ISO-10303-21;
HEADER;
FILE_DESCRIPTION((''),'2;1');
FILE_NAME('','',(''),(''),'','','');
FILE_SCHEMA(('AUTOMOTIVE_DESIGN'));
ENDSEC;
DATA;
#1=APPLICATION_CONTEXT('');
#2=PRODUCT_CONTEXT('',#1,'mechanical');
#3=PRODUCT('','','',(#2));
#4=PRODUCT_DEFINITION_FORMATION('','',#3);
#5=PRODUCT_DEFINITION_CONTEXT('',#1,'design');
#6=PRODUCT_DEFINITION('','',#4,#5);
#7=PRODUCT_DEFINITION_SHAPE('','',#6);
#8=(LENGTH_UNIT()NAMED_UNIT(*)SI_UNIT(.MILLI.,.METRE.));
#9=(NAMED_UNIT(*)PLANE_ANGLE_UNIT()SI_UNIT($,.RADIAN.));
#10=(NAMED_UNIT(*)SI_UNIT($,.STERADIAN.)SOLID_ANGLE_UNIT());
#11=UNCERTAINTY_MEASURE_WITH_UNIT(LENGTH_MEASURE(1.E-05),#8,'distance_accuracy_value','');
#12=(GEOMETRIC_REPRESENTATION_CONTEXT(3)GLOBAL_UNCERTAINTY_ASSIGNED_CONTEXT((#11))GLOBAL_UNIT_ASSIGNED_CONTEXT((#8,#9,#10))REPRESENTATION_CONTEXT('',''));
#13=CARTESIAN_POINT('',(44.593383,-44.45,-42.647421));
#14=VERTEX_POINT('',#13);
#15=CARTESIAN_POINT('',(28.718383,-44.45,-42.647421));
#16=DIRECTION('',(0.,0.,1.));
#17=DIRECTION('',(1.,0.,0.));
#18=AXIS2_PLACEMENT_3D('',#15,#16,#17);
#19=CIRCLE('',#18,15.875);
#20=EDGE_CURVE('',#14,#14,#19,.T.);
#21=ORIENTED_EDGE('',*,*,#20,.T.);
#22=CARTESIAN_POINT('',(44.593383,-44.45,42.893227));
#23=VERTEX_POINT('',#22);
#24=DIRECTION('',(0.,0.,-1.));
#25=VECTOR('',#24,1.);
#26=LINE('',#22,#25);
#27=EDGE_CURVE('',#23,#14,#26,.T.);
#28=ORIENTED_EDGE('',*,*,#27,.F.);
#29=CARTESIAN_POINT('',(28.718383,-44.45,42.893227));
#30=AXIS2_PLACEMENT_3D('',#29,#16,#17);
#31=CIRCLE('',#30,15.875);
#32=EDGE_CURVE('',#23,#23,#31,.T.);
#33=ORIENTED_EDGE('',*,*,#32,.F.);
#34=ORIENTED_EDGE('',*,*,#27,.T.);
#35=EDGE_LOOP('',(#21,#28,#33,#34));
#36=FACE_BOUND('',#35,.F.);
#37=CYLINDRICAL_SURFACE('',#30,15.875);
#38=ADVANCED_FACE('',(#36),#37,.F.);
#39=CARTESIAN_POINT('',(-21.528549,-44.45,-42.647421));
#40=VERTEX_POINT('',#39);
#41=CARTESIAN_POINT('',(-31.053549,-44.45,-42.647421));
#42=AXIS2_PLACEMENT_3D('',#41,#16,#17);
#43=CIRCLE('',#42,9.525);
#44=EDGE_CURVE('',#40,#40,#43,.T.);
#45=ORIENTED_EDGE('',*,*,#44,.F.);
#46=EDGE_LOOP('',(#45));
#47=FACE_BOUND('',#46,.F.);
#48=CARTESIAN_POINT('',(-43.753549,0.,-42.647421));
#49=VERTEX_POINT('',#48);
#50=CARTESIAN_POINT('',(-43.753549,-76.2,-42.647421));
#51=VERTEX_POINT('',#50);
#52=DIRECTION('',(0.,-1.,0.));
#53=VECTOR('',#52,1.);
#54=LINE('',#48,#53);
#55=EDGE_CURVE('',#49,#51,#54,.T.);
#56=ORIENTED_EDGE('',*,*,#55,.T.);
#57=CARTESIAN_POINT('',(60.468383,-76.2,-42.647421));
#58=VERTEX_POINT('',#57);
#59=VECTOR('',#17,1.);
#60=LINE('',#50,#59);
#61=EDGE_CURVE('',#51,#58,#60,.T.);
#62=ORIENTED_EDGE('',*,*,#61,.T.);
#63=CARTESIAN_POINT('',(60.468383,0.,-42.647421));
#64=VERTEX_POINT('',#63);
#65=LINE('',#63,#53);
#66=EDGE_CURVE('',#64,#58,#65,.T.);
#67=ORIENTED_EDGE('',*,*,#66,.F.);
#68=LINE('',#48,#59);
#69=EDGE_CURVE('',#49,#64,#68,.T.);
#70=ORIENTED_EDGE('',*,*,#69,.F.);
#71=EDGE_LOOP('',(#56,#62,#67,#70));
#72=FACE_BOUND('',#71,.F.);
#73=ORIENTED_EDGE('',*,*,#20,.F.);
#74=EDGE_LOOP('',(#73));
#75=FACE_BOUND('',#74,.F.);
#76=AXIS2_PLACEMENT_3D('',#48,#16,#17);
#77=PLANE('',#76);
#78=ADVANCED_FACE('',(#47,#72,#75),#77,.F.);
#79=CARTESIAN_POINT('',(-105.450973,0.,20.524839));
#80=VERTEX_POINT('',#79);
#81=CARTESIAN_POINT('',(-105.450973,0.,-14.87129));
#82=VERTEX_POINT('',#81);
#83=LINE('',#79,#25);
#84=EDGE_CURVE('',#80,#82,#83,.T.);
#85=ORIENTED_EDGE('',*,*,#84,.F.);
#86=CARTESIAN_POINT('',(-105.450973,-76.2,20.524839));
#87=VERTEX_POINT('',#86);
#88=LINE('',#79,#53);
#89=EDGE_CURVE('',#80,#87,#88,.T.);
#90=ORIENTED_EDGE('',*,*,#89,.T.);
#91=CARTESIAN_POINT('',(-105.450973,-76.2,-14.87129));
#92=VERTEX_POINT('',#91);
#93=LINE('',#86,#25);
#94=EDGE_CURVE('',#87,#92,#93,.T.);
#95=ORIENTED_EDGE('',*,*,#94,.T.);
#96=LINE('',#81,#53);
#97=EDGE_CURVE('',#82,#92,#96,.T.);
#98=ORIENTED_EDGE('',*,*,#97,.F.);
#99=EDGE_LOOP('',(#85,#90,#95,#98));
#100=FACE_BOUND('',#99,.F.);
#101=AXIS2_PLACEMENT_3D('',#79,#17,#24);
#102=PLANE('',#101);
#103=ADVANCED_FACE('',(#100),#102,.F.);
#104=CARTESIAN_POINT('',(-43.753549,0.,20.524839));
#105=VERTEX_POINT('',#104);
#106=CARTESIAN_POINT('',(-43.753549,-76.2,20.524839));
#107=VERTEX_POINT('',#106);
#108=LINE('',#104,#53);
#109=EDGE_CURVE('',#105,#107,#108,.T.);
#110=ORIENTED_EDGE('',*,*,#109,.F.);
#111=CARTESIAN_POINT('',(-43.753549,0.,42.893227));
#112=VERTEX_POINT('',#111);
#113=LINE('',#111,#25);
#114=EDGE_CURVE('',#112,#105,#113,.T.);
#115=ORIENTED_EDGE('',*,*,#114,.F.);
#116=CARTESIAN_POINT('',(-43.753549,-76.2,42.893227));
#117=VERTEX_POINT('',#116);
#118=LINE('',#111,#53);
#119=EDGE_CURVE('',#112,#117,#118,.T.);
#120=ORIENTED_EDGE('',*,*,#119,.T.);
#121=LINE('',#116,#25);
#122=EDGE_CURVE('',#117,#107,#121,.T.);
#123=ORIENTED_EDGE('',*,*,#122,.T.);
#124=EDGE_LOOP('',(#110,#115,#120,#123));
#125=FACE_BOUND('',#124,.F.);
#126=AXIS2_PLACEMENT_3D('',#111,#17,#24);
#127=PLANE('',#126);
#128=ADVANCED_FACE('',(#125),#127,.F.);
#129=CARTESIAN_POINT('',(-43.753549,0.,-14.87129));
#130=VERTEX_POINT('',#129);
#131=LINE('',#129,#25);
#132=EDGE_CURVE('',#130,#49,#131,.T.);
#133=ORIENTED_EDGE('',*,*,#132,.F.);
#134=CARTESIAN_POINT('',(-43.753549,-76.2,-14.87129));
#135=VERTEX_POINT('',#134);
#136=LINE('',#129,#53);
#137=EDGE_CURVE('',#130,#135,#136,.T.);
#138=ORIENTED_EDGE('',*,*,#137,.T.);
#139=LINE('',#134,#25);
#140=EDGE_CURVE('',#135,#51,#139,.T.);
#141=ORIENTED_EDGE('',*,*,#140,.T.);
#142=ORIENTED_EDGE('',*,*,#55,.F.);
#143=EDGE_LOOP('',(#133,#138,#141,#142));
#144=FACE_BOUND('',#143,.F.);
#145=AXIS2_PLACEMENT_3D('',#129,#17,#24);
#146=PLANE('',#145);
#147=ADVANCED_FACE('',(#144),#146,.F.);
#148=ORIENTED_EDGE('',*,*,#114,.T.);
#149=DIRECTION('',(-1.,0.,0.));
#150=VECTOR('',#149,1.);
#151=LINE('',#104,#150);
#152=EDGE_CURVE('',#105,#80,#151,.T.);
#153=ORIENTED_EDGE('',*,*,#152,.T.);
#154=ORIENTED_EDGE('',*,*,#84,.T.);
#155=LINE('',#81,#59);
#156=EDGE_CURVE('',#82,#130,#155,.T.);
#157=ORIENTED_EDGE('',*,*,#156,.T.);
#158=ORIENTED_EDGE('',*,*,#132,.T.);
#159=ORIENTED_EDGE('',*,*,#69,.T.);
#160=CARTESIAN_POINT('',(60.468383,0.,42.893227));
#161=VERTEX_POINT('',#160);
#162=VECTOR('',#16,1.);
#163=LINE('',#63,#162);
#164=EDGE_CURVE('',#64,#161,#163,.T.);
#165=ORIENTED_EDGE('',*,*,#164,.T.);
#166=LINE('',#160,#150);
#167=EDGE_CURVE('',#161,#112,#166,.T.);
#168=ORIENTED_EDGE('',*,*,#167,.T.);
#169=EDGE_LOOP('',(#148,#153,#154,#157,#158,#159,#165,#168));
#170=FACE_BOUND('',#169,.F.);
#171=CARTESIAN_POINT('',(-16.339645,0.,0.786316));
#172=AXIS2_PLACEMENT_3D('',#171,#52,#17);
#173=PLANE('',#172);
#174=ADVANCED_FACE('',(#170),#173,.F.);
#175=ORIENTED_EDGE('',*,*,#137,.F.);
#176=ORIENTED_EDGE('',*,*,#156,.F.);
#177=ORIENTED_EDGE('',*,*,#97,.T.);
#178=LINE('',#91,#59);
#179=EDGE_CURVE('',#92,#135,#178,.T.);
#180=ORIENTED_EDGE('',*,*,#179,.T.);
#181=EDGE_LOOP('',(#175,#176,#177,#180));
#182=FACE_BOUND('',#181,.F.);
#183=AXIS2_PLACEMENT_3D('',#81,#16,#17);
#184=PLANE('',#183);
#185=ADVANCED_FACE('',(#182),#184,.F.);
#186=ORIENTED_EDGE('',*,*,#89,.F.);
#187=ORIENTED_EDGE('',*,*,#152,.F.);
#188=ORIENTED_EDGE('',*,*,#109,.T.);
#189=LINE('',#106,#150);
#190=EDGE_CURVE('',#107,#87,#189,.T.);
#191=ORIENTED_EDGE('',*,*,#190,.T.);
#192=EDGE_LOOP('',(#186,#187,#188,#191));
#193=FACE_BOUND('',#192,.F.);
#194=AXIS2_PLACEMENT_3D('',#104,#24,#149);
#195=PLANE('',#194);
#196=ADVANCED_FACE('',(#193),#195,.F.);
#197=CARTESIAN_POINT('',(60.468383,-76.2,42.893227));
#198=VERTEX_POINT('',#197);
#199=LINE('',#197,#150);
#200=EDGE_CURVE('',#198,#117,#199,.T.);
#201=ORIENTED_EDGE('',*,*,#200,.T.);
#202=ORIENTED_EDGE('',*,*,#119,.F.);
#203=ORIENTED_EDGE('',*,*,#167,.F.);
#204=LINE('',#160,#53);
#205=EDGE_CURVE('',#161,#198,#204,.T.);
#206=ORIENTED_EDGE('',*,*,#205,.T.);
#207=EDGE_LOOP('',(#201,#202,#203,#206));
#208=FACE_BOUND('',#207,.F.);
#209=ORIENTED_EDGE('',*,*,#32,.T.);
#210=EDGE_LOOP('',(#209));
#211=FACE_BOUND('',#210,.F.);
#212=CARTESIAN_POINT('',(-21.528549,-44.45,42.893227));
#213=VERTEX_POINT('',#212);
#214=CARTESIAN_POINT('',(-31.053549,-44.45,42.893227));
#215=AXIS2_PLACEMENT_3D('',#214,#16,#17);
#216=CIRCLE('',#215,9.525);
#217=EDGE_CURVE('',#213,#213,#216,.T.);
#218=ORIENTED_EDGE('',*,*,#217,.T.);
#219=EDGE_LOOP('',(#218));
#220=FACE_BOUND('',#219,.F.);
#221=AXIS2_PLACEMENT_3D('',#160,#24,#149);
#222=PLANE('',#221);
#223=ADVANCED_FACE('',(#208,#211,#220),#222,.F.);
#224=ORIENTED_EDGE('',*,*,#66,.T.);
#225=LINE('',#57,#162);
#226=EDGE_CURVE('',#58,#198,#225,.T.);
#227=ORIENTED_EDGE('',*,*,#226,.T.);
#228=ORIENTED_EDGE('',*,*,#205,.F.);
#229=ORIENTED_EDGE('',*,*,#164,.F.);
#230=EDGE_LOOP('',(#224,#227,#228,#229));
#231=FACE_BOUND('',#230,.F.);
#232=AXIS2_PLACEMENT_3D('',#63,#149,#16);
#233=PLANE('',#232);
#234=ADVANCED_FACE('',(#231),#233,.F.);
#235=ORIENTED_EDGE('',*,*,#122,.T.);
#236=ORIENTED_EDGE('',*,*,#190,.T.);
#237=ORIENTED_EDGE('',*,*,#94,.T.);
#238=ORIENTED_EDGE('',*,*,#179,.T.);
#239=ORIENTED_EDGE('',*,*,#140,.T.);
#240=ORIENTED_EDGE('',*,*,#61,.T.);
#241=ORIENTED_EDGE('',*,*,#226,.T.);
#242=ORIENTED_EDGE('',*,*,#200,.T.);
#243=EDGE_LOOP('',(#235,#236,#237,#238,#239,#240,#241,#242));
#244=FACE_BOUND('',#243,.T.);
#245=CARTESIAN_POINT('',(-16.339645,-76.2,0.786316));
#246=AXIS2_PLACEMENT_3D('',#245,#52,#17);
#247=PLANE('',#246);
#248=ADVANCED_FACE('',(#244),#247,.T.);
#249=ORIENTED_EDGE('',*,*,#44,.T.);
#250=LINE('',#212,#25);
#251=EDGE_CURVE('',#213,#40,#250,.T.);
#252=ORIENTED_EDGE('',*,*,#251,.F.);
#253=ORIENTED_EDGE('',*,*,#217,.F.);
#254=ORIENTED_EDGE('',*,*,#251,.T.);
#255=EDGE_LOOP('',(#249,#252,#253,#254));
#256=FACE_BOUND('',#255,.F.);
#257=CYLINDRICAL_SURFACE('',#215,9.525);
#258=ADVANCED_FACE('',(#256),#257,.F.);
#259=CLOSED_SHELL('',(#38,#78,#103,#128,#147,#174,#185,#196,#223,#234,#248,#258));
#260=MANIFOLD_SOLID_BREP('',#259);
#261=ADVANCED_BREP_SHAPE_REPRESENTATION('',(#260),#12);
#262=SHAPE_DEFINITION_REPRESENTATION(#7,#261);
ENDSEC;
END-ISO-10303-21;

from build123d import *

# Parameters (mm, degrees)
F1_DEPTH = 76.2
F2_R     = 15.875
F2_R_2   = 9.525
F3_DEPTH = 85.540649


with BuildPart() as f1:
    # F0 (on Front) → F1 (new body)
    with BuildSketch(Plane.XZ):
        Polygon((60.468383, 42.893227), (-43.753549, 42.893227), (-43.753549, 20.524839), (-105.450973, 20.524839), (-105.450973, -14.87129), (-43.753549, -14.87129), (-43.753549, -42.647421), (60.468383, -42.647421), align=None)
    extrude(amount=F1_DEPTH)

    # F2 (on face) → F3 (cut, through all)
    with BuildSketch(Plane.XY.offset(42.893227)):
        with Locations((28.718383, -44.45)):
            Circle(F2_R)
        with Locations((-31.053549, -44.45)):
            Circle(F2_R_2)
    extrude(amount=-F3_DEPTH, mode=Mode.SUBTRACT)


solid = f1.part
